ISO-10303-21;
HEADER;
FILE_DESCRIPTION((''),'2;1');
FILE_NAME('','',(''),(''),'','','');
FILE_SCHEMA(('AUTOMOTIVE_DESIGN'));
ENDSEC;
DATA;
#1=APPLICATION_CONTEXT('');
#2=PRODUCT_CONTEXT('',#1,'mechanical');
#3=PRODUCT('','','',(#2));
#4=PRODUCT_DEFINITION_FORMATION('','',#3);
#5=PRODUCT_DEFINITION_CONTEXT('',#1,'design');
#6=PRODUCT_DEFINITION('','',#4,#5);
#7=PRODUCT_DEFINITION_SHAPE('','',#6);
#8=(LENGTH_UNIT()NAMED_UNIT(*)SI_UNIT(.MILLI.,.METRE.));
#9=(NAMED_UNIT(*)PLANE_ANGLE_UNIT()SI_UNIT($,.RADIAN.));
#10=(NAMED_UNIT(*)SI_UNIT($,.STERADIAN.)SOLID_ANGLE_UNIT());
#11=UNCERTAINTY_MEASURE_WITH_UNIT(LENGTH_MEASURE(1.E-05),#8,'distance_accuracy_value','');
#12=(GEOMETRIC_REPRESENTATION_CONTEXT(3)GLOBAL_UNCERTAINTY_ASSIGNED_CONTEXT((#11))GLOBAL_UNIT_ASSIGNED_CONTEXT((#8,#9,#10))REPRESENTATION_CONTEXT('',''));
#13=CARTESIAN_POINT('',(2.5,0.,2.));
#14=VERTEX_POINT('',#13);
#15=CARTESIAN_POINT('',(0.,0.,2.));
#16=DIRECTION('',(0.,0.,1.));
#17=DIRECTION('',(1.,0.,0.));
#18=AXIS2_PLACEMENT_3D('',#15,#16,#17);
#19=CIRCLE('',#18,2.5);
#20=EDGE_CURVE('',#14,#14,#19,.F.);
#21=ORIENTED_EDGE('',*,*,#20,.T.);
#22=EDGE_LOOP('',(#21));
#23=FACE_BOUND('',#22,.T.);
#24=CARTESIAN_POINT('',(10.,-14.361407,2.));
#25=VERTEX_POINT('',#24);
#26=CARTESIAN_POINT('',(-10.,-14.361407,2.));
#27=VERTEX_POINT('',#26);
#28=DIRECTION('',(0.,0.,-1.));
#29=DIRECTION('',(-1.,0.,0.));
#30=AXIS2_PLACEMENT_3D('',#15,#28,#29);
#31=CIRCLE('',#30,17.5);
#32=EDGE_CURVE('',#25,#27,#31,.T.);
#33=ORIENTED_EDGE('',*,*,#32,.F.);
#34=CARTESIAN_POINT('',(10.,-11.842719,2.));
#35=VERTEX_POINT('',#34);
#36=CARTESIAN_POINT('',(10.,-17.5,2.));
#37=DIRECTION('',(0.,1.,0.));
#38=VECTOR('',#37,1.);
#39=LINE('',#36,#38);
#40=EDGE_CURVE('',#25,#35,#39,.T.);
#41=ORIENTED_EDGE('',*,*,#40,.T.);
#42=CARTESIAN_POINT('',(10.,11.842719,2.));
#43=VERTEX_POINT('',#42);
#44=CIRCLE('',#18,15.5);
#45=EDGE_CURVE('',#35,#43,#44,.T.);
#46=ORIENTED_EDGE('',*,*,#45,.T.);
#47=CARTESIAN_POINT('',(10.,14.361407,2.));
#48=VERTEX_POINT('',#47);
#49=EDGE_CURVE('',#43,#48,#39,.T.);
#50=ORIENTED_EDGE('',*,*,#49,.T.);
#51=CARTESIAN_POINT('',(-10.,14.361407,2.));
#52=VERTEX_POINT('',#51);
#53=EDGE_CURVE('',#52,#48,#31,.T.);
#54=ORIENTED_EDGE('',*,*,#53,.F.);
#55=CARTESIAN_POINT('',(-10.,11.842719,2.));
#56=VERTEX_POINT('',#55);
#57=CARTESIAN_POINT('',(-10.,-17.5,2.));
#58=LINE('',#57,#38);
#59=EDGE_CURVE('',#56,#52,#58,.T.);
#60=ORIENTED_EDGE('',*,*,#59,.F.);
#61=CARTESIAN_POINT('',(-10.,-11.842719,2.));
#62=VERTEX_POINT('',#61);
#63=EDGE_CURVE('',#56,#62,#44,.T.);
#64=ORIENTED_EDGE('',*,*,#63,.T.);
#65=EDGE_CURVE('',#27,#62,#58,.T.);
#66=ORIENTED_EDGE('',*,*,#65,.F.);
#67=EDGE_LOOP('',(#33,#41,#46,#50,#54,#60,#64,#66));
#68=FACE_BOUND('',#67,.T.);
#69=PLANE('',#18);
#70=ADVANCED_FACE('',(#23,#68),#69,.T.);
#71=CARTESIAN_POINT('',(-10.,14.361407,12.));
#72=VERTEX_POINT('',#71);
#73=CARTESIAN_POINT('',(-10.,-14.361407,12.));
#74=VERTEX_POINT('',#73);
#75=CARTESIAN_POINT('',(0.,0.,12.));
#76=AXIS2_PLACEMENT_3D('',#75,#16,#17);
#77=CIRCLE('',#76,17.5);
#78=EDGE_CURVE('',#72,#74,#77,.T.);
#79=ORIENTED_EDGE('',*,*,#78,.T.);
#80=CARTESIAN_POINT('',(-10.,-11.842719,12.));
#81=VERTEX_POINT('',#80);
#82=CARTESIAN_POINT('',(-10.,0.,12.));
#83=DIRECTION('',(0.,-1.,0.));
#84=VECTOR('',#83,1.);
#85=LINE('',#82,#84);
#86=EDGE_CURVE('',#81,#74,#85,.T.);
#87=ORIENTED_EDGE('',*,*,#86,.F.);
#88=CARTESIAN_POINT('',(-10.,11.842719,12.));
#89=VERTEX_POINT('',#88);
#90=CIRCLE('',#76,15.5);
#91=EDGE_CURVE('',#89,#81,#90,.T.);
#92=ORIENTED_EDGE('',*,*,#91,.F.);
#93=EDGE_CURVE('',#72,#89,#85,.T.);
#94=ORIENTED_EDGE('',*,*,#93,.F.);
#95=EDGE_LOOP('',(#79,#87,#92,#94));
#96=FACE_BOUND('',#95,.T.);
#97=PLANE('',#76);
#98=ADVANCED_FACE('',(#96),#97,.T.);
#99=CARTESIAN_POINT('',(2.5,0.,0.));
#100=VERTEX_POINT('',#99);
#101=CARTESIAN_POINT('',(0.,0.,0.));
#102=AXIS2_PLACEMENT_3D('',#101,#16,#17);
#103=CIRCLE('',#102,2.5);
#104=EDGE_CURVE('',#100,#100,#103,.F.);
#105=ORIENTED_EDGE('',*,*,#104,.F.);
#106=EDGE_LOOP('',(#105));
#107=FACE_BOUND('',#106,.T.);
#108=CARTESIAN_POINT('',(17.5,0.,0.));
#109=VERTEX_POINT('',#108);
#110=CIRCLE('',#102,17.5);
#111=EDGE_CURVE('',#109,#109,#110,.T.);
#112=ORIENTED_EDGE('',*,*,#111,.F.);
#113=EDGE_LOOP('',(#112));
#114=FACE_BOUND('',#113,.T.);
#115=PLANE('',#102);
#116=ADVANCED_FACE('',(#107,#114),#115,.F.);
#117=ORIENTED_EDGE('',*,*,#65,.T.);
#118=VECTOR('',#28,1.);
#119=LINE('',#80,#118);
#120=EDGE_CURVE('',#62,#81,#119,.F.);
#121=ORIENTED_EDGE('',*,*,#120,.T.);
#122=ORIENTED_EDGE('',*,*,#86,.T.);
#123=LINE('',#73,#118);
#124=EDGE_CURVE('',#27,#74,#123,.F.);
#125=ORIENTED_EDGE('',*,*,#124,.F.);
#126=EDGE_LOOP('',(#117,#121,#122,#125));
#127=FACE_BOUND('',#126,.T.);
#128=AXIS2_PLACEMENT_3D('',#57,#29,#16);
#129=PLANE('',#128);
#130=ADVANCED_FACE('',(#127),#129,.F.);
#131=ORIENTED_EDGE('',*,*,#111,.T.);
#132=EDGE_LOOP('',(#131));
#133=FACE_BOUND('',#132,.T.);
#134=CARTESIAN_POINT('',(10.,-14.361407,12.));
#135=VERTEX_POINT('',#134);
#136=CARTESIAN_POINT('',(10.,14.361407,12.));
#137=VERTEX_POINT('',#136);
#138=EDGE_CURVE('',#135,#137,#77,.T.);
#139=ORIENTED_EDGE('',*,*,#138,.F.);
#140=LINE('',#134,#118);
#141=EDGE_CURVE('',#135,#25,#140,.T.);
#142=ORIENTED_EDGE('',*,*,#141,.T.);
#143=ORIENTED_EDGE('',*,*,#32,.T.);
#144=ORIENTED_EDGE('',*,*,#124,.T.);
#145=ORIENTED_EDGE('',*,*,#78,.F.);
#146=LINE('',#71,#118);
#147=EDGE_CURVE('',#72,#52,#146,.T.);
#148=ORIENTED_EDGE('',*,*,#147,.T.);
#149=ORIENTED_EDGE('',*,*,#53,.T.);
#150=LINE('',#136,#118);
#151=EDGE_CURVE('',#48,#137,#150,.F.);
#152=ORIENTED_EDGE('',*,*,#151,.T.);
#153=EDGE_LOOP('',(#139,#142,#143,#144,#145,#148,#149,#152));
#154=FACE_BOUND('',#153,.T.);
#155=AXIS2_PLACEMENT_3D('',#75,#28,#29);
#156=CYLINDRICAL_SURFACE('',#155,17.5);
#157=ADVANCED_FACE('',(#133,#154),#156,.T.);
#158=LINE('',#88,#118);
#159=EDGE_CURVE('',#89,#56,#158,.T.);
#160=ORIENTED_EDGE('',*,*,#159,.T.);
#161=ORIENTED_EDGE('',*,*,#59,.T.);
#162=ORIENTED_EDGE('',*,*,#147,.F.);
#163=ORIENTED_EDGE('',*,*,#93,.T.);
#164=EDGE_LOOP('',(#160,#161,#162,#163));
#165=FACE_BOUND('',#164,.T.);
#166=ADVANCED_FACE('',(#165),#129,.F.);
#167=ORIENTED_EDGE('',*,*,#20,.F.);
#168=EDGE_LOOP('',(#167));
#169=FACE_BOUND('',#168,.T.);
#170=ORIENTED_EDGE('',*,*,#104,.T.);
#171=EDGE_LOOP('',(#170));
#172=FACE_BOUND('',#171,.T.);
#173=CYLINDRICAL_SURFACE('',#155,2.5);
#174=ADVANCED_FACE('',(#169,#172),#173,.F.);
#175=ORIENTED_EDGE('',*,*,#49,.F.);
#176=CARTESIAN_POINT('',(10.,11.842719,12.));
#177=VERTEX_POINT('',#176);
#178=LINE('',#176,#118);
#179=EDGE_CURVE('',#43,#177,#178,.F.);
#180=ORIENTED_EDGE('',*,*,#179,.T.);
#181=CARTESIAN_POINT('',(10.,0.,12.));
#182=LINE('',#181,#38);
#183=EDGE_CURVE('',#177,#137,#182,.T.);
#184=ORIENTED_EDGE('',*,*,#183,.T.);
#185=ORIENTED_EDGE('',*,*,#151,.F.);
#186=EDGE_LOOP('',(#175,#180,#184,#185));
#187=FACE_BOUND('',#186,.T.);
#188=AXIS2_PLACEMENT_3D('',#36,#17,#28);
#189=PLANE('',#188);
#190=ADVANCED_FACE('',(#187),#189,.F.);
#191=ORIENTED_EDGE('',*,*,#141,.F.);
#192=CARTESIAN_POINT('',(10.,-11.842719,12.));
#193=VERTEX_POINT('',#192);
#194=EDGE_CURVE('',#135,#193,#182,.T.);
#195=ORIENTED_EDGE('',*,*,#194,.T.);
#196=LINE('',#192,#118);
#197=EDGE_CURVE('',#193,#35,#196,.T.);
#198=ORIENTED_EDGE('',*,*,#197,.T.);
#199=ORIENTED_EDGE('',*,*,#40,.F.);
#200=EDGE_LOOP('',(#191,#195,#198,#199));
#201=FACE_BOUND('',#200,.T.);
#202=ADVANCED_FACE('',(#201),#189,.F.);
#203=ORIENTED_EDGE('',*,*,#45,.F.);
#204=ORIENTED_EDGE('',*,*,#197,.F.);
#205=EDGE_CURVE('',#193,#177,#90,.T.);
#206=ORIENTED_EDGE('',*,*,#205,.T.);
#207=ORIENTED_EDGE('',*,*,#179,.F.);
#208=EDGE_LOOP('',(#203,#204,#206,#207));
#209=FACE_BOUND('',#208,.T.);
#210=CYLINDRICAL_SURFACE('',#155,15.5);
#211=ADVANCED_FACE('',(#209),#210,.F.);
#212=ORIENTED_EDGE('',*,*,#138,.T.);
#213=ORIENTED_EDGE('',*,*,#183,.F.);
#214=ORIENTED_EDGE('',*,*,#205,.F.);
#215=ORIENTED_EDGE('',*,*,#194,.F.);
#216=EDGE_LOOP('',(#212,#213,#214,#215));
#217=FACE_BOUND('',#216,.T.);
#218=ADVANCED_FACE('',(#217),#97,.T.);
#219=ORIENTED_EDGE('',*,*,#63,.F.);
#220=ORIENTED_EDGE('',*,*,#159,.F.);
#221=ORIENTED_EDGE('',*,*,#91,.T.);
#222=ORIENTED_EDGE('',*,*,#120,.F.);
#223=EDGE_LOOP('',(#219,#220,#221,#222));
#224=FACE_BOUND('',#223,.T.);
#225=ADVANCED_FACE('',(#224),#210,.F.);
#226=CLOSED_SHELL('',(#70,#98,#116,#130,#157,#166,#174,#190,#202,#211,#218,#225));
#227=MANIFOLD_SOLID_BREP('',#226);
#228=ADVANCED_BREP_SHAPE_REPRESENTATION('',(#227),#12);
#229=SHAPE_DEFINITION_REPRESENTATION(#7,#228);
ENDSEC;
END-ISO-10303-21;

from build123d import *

# Parameters (mm, degrees)
SKETCH1_R               = 17.5
BOSS_EXTRUDE1_DEPTH     = 12
SHELL4_T                = -2
CUT_EXTRUDE1_DEPTH      = 28.504545079
CUT_EXTRUDE1_DEPTH_BACK = 28.504545079
SKETCH3_R               = 2.5
CUT_EXTRUDE2_DEPTH      = 28.504545079
CUT_EXTRUDE2_DEPTH_BACK = 28.504545079
SKETCH4_W               = 20
SKETCH4_H               = 24.94066955


with BuildPart() as part:
    # Sketch1 → Boss-Extrude1 (new body)
    with BuildSketch(Plane.XY):
        Circle(SKETCH1_R)
    extrude(amount=BOSS_EXTRUDE1_DEPTH)

    # Shell4
    shell4_openings = [part.faces().sort_by_distance(p)[0] for p in [
        (0, 0, 12),
    ]]
    offset(amount=SHELL4_T, openings=shell4_openings, kind=Kind.INTERSECTION)

    # Sketch3 → Cut-Extrude1 (cut, two sides: drawn at the far end of the back side and taken through both)
    with BuildSketch(Plane.XY.offset(-CUT_EXTRUDE1_DEPTH_BACK)):
        Circle(SKETCH3_R)
    extrude(amount=CUT_EXTRUDE1_DEPTH + CUT_EXTRUDE1_DEPTH_BACK, mode=Mode.SUBTRACT)

    # Sketch4 → Cut-Extrude2 (cut, two sides: drawn at the far end of the back side and taken through both)
    with BuildSketch(Plane(origin=(0, 0, 0), x_dir=(1, 0, 0), z_dir=(0, 1, 0)).offset(-CUT_EXTRUDE2_DEPTH_BACK)):
        with Locations((0, -14.470334775)):
            Rectangle(SKETCH4_W, SKETCH4_H)
    extrude(amount=CUT_EXTRUDE2_DEPTH + CUT_EXTRUDE2_DEPTH_BACK, mode=Mode.SUBTRACT)


solid = part.part
